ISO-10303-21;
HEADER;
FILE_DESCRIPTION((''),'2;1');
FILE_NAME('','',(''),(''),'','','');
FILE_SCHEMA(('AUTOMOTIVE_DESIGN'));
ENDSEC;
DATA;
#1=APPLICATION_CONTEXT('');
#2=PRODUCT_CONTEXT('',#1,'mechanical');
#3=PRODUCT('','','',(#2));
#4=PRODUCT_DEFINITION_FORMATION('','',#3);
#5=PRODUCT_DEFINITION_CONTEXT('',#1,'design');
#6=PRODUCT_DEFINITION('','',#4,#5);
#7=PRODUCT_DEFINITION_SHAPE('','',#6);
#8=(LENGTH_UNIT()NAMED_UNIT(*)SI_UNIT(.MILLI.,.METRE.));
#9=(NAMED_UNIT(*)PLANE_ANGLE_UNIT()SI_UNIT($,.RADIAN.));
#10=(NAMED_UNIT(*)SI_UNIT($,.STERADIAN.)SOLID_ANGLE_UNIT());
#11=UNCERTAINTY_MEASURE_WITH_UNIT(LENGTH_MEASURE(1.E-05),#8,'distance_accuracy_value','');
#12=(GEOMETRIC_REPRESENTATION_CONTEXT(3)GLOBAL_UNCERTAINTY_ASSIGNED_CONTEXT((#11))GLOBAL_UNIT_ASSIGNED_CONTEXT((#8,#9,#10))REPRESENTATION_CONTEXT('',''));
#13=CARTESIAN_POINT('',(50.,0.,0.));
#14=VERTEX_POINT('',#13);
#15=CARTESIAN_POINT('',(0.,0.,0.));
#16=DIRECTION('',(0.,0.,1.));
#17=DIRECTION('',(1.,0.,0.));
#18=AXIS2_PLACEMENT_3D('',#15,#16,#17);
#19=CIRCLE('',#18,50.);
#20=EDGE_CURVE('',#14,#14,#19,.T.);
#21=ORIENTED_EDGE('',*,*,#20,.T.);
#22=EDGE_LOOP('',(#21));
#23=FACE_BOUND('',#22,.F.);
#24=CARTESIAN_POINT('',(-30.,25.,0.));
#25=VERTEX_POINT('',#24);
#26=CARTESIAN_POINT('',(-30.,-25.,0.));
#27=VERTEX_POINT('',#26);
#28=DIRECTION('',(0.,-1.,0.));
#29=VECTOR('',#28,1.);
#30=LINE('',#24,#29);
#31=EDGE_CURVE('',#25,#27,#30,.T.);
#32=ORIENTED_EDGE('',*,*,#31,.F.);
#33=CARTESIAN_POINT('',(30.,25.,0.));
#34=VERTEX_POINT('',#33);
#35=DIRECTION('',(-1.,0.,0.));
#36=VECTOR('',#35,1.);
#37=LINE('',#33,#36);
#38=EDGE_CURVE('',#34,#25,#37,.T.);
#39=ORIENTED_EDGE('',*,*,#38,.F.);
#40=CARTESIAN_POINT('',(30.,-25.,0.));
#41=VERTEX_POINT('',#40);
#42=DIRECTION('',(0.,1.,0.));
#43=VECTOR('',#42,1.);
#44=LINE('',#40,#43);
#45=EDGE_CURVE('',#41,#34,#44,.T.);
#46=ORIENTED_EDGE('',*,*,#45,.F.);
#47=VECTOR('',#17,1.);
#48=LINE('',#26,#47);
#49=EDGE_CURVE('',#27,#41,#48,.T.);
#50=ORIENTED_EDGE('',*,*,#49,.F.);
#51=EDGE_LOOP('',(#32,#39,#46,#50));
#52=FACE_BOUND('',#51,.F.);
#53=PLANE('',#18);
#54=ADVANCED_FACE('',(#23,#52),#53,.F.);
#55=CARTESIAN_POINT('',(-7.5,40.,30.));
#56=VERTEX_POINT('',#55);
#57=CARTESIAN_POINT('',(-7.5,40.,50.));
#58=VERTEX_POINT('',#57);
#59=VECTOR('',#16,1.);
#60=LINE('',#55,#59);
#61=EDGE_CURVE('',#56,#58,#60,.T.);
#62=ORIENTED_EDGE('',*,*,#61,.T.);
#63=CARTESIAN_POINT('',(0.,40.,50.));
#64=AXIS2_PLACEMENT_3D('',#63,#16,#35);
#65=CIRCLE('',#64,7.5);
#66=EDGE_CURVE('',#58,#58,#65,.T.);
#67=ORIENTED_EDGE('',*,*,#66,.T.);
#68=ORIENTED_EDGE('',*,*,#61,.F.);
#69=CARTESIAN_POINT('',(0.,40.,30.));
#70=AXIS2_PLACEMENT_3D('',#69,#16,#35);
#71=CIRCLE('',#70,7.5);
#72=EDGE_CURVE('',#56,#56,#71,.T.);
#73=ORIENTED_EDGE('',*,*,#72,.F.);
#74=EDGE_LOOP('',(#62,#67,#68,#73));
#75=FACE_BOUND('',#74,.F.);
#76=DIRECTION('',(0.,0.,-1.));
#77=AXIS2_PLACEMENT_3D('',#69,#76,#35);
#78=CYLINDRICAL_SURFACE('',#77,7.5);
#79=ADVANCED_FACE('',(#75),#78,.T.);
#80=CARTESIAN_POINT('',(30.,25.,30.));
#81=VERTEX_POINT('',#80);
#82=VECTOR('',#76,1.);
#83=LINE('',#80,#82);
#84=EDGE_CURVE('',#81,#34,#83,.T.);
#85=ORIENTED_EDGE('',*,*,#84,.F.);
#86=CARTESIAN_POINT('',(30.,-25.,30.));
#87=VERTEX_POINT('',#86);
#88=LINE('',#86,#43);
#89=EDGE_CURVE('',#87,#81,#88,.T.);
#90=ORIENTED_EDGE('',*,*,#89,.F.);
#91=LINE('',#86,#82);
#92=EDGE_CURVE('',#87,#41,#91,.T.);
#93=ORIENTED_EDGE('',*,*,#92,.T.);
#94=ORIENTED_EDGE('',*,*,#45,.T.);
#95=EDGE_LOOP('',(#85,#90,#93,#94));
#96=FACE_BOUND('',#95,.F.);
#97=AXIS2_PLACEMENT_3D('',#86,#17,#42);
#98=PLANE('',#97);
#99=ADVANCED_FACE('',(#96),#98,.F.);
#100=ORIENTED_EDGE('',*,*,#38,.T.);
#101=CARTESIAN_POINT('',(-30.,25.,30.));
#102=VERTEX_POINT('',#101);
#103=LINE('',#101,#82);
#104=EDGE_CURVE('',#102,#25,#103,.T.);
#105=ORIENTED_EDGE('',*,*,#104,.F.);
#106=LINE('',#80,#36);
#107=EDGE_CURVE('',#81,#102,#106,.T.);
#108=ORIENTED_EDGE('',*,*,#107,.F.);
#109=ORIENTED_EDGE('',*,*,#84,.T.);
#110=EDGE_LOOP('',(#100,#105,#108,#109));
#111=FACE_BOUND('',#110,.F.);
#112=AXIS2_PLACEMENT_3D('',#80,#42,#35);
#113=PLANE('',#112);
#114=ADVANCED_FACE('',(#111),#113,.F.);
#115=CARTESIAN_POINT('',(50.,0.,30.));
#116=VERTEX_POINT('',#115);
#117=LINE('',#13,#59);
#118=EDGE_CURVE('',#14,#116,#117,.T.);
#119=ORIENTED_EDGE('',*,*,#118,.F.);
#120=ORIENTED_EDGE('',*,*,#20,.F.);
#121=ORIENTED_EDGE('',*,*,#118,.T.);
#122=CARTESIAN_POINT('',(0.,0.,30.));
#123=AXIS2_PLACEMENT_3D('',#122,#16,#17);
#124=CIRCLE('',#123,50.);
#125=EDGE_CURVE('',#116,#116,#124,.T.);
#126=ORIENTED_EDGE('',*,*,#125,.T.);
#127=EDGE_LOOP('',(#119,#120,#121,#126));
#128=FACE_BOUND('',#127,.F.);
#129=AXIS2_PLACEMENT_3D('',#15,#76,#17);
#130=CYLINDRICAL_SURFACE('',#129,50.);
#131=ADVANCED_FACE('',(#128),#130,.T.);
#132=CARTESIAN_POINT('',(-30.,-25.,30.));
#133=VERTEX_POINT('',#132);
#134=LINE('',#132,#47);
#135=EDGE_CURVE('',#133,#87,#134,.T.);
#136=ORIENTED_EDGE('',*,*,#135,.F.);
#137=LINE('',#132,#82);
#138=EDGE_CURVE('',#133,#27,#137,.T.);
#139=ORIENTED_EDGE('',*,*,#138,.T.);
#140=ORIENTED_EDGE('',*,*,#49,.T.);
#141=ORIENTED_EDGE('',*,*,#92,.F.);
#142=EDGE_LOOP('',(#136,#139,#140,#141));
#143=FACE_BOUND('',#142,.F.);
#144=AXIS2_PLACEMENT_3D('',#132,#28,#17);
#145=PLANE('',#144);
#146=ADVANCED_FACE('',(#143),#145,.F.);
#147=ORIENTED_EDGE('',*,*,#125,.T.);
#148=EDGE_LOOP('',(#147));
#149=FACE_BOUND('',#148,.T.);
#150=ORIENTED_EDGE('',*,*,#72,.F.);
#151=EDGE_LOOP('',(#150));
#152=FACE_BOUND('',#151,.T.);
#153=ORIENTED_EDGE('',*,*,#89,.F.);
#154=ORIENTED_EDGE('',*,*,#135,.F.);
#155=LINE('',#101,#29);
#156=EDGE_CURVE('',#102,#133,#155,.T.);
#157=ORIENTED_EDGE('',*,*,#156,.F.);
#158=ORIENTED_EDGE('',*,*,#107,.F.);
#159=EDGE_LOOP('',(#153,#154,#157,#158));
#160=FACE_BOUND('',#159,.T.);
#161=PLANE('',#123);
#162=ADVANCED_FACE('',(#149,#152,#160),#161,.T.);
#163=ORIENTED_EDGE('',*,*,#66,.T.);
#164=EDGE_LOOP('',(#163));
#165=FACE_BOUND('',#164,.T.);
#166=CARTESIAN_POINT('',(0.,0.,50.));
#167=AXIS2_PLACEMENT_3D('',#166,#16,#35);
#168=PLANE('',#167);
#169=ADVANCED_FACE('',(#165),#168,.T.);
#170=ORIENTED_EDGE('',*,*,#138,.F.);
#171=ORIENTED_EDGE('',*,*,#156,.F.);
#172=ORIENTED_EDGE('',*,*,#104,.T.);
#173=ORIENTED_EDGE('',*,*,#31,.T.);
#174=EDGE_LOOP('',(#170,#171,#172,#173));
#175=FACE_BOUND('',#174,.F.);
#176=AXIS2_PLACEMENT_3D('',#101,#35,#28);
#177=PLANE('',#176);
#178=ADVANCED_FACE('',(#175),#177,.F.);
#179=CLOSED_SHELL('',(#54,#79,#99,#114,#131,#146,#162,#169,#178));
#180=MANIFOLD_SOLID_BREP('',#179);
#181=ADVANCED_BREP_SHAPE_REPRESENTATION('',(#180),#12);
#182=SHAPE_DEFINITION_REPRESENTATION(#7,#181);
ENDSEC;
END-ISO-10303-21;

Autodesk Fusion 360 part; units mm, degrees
sketch "Sketch1" plane through (0, 0, 0) normal (0, 0, 1) x (1, 0, 0)
  circle A0 centre (0, 0) radius 50
  dimension "d1" = 100
extrude "Extrude1" add sketch "Sketch1" along normal blind 30
sketch "Sketch2" plane through (0, 0, 30) normal (0, 0, 1) x (-1, 0, 0)
  circle A0 centre (0, 0) radius 50
  line L0 (30, 25) -> (-30, 25)
  line L1 (-30, 25) -> (-30, -25)
  line L2 (-30, -25) -> (30, -25)
  line L3 (30, -25) -> (30, 25)
  line L4 (30, 25) -> (-30, -25) construction
  line L5 (-30, 25) -> (30, -25) construction
  dimension "d4" = 60
  dimension "d5" = 50
extrude "Extrude2" cut sketch "Sketch2" against normal blind 30 contours L0 L1 L2 L3
sketch "Sketch3" plane through (0, 0, 30) normal (0, 0, 1) x (-1, 0, 0)
  line L0 (-30, 25) -> (30, 25)
  line L1 (30, 25) -> (30, -25)
  line L2 (30, -25) -> (-30, -25)
  line L3 (-30, -25) -> (-30, 25)
  circle A0 centre (0, 0) radius 50
  circle A1 centre (0, -40) radius 7.5
  dimension "d8" = 15
extrude "Extrude3" add sketch "Sketch3" along normal blind 20 contours A1
